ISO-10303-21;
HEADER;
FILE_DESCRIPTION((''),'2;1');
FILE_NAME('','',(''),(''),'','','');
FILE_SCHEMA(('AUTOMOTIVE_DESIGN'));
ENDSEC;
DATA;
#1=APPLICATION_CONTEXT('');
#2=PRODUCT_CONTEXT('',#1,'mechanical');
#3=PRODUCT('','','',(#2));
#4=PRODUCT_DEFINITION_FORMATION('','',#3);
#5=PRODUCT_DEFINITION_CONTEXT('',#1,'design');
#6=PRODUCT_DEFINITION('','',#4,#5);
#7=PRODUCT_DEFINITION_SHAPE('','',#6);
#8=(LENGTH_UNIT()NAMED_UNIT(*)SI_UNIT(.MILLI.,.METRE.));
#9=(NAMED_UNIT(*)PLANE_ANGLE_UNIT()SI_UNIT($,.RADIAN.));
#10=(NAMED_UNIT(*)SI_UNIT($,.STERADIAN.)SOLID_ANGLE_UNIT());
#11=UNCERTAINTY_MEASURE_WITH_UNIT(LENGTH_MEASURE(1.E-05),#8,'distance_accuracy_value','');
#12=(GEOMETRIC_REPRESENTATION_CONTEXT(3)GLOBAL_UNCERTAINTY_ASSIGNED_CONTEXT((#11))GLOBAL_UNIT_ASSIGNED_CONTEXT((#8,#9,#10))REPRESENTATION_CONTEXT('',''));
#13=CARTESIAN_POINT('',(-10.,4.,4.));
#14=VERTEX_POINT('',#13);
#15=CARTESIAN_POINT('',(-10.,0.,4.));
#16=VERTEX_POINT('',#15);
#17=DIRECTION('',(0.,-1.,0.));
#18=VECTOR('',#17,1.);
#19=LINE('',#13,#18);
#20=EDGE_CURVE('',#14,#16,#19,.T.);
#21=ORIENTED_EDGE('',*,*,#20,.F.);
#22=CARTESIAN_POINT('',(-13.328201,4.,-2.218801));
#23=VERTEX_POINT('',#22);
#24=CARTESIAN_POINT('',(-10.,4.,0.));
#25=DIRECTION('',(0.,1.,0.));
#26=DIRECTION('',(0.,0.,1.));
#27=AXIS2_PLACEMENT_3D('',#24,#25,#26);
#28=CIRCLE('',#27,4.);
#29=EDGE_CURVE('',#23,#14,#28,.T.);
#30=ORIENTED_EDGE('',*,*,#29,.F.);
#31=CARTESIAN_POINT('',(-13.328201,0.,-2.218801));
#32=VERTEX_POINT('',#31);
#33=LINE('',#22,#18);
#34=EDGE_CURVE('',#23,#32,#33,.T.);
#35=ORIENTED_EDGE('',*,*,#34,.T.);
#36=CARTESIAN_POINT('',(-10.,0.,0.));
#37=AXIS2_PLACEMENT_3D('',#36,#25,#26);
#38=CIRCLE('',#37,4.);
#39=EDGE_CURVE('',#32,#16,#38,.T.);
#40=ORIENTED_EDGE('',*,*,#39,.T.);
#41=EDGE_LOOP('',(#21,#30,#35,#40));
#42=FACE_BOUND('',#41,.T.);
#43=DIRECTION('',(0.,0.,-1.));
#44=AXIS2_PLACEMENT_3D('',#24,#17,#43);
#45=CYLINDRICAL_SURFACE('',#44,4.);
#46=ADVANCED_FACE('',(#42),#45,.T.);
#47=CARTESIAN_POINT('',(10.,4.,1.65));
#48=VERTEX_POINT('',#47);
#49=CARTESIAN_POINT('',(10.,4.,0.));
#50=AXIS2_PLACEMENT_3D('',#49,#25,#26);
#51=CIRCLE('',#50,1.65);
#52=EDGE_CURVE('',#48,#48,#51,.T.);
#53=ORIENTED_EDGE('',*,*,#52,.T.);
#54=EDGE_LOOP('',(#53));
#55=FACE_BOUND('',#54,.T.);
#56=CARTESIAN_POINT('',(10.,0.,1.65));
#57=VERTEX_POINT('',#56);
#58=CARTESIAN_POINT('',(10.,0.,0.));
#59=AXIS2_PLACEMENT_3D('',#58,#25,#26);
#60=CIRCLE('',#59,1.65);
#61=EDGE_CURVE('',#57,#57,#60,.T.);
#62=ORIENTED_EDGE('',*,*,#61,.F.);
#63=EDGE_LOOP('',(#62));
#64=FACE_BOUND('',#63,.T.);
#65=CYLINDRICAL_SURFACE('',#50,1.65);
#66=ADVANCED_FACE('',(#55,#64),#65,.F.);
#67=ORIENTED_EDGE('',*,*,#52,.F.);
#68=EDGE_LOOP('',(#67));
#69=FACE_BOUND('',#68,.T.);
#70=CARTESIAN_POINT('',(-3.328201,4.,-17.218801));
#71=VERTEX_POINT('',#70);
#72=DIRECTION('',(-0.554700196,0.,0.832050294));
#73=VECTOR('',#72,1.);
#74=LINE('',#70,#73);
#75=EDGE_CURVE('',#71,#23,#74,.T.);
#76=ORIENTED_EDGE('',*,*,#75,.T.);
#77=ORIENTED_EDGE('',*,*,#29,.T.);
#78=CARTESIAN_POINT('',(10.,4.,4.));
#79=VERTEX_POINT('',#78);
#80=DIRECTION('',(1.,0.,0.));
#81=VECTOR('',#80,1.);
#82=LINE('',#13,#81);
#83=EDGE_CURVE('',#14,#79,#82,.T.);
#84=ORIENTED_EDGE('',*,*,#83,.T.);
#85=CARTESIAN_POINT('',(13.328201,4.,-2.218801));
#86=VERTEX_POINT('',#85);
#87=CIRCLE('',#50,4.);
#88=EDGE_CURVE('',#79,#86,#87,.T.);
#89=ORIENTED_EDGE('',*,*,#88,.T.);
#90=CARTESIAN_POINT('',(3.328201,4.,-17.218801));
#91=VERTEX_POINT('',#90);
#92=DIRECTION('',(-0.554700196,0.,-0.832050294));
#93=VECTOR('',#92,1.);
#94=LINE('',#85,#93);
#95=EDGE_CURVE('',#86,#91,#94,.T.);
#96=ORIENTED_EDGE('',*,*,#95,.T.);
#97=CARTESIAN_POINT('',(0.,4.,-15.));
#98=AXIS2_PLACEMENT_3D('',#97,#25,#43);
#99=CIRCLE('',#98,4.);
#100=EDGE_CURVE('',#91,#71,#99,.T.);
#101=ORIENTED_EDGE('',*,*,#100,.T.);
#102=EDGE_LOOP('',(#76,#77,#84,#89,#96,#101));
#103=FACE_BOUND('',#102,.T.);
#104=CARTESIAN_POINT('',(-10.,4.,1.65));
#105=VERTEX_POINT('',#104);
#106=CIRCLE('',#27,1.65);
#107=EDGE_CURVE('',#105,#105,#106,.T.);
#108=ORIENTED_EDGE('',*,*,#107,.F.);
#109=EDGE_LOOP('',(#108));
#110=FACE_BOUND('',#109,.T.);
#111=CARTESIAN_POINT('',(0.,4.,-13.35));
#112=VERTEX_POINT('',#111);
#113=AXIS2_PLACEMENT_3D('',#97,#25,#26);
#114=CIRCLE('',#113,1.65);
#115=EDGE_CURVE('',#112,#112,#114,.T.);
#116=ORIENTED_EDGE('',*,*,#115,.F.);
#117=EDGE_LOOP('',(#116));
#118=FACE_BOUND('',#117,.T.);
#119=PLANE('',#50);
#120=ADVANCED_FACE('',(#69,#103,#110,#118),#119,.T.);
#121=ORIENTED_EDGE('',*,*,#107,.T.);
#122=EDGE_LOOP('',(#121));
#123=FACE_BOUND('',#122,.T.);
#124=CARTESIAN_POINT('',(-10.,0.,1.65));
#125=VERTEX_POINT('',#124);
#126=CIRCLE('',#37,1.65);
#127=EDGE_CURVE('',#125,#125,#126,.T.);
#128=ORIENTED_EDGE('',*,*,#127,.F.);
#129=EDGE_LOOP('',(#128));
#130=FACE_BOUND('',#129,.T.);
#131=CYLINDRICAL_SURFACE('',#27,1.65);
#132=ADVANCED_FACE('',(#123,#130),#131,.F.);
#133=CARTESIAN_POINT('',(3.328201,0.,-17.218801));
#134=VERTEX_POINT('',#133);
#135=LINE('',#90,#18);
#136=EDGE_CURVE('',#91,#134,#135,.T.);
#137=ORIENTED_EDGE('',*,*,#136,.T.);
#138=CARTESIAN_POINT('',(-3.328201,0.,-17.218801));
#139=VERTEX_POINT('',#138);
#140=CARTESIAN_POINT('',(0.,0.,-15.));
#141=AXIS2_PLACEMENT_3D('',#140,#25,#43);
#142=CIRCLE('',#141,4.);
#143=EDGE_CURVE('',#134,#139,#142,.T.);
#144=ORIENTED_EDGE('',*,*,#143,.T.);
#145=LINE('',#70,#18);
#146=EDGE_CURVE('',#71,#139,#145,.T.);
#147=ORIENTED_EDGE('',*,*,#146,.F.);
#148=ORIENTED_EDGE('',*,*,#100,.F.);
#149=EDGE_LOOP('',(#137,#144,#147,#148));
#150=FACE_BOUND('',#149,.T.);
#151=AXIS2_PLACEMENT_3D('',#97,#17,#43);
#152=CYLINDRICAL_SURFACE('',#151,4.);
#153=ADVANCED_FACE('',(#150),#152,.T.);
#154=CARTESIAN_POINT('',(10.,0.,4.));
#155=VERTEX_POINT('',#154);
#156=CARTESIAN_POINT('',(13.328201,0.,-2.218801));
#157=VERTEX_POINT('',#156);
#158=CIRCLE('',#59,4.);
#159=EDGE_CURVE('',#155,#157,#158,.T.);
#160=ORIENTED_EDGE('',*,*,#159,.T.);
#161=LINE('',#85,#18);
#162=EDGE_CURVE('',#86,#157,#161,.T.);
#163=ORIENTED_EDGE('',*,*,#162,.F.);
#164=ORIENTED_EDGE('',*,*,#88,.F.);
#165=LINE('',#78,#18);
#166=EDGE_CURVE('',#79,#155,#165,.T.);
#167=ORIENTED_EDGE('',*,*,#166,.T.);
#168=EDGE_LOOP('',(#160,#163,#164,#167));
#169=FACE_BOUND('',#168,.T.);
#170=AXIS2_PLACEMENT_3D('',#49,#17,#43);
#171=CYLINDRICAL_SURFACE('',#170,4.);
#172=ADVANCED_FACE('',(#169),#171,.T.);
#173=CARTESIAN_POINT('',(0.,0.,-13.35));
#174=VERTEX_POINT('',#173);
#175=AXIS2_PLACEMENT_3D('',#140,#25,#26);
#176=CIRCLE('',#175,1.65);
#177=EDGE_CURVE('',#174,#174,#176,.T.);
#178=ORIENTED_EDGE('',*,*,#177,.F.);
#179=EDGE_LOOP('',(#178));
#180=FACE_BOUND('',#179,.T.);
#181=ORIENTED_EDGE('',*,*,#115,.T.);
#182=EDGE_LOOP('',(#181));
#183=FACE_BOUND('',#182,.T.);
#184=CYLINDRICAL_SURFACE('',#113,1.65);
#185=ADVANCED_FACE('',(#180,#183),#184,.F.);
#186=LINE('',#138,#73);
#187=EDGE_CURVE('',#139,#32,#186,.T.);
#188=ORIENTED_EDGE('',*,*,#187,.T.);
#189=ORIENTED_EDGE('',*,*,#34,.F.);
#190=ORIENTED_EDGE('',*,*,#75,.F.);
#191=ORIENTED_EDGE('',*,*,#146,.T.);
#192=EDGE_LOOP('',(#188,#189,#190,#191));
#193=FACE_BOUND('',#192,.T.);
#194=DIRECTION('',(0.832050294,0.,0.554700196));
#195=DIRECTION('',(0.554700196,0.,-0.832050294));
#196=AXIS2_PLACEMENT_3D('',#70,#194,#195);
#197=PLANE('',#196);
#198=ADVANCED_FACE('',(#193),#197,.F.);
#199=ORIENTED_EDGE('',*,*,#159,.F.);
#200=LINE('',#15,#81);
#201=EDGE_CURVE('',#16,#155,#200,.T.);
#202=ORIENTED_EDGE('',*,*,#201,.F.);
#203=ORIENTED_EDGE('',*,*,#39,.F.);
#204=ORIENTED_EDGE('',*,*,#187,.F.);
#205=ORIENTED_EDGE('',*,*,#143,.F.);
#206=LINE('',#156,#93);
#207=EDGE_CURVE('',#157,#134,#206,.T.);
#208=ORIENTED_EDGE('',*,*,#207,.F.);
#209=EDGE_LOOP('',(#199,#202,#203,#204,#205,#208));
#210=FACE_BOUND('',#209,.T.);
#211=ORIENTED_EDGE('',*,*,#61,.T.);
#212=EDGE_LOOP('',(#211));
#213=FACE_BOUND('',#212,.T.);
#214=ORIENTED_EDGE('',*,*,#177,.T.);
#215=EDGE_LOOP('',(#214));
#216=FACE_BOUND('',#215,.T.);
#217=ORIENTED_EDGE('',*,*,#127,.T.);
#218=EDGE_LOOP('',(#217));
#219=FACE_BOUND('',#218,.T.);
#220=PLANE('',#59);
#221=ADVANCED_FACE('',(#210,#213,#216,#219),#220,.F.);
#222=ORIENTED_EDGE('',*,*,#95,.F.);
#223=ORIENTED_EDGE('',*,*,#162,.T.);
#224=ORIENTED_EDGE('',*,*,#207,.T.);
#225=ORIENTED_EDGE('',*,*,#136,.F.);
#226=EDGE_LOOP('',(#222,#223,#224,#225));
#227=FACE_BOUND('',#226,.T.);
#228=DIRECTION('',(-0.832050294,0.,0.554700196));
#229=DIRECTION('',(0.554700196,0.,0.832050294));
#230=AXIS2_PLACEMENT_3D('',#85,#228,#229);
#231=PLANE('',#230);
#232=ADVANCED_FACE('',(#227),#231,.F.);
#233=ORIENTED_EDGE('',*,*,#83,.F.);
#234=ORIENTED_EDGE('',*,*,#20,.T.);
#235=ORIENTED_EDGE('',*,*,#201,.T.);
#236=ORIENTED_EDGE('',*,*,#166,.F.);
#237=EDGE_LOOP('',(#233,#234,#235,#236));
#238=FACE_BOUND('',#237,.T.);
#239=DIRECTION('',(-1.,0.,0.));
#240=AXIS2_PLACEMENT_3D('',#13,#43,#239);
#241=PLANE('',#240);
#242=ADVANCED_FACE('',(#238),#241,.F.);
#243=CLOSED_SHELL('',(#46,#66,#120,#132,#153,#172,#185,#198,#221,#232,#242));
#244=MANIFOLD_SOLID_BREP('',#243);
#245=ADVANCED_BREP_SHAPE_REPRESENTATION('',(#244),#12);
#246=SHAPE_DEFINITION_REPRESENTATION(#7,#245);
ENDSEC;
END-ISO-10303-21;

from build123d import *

# Parameters (mm, degrees)
EXTRUDE_1_DEPTH    = 4
HOLE_WIZARD_M4_1_D = 3.3


with BuildPart() as part:
    # 草图1 → 凸台-拉伸1 (new body)
    with BuildSketch(Plane(origin=(0, 0, 0), x_dir=(1, 0, 0), z_dir=(0, 1, 0))):
        with BuildLine():
            Line((-3.328201177, 17.218800785), (-13.328201177, 2.218800785))
            ThreePointArc((-13.328201177, 2.218800785), (-13.526698395, -1.887431702), (-10, -4))
            Line((-10, -4), (10, -4))
            ThreePointArc((10, -4), (13.526698395, -1.887431702), (13.328201177, 2.218800785))
            Line((13.328201177, 2.218800785), (3.328201177, 17.218800785))
            ThreePointArc((3.328201177, 17.218800785), (0, 19), (-3.328201177, 17.218800785))
        make_face()
    extrude(amount=EXTRUDE_1_DEPTH)

    # M4 螺纹孔1 (through all)
    with Locations(Plane(origin=(0, 4, 0), x_dir=(1, 0, 0), z_dir=(0, 1, 0))):
        with Locations((0, 15), (-10, 0), (10, 0)):
            Hole(HOLE_WIZARD_M4_1_D / 2)


solid = part.part
